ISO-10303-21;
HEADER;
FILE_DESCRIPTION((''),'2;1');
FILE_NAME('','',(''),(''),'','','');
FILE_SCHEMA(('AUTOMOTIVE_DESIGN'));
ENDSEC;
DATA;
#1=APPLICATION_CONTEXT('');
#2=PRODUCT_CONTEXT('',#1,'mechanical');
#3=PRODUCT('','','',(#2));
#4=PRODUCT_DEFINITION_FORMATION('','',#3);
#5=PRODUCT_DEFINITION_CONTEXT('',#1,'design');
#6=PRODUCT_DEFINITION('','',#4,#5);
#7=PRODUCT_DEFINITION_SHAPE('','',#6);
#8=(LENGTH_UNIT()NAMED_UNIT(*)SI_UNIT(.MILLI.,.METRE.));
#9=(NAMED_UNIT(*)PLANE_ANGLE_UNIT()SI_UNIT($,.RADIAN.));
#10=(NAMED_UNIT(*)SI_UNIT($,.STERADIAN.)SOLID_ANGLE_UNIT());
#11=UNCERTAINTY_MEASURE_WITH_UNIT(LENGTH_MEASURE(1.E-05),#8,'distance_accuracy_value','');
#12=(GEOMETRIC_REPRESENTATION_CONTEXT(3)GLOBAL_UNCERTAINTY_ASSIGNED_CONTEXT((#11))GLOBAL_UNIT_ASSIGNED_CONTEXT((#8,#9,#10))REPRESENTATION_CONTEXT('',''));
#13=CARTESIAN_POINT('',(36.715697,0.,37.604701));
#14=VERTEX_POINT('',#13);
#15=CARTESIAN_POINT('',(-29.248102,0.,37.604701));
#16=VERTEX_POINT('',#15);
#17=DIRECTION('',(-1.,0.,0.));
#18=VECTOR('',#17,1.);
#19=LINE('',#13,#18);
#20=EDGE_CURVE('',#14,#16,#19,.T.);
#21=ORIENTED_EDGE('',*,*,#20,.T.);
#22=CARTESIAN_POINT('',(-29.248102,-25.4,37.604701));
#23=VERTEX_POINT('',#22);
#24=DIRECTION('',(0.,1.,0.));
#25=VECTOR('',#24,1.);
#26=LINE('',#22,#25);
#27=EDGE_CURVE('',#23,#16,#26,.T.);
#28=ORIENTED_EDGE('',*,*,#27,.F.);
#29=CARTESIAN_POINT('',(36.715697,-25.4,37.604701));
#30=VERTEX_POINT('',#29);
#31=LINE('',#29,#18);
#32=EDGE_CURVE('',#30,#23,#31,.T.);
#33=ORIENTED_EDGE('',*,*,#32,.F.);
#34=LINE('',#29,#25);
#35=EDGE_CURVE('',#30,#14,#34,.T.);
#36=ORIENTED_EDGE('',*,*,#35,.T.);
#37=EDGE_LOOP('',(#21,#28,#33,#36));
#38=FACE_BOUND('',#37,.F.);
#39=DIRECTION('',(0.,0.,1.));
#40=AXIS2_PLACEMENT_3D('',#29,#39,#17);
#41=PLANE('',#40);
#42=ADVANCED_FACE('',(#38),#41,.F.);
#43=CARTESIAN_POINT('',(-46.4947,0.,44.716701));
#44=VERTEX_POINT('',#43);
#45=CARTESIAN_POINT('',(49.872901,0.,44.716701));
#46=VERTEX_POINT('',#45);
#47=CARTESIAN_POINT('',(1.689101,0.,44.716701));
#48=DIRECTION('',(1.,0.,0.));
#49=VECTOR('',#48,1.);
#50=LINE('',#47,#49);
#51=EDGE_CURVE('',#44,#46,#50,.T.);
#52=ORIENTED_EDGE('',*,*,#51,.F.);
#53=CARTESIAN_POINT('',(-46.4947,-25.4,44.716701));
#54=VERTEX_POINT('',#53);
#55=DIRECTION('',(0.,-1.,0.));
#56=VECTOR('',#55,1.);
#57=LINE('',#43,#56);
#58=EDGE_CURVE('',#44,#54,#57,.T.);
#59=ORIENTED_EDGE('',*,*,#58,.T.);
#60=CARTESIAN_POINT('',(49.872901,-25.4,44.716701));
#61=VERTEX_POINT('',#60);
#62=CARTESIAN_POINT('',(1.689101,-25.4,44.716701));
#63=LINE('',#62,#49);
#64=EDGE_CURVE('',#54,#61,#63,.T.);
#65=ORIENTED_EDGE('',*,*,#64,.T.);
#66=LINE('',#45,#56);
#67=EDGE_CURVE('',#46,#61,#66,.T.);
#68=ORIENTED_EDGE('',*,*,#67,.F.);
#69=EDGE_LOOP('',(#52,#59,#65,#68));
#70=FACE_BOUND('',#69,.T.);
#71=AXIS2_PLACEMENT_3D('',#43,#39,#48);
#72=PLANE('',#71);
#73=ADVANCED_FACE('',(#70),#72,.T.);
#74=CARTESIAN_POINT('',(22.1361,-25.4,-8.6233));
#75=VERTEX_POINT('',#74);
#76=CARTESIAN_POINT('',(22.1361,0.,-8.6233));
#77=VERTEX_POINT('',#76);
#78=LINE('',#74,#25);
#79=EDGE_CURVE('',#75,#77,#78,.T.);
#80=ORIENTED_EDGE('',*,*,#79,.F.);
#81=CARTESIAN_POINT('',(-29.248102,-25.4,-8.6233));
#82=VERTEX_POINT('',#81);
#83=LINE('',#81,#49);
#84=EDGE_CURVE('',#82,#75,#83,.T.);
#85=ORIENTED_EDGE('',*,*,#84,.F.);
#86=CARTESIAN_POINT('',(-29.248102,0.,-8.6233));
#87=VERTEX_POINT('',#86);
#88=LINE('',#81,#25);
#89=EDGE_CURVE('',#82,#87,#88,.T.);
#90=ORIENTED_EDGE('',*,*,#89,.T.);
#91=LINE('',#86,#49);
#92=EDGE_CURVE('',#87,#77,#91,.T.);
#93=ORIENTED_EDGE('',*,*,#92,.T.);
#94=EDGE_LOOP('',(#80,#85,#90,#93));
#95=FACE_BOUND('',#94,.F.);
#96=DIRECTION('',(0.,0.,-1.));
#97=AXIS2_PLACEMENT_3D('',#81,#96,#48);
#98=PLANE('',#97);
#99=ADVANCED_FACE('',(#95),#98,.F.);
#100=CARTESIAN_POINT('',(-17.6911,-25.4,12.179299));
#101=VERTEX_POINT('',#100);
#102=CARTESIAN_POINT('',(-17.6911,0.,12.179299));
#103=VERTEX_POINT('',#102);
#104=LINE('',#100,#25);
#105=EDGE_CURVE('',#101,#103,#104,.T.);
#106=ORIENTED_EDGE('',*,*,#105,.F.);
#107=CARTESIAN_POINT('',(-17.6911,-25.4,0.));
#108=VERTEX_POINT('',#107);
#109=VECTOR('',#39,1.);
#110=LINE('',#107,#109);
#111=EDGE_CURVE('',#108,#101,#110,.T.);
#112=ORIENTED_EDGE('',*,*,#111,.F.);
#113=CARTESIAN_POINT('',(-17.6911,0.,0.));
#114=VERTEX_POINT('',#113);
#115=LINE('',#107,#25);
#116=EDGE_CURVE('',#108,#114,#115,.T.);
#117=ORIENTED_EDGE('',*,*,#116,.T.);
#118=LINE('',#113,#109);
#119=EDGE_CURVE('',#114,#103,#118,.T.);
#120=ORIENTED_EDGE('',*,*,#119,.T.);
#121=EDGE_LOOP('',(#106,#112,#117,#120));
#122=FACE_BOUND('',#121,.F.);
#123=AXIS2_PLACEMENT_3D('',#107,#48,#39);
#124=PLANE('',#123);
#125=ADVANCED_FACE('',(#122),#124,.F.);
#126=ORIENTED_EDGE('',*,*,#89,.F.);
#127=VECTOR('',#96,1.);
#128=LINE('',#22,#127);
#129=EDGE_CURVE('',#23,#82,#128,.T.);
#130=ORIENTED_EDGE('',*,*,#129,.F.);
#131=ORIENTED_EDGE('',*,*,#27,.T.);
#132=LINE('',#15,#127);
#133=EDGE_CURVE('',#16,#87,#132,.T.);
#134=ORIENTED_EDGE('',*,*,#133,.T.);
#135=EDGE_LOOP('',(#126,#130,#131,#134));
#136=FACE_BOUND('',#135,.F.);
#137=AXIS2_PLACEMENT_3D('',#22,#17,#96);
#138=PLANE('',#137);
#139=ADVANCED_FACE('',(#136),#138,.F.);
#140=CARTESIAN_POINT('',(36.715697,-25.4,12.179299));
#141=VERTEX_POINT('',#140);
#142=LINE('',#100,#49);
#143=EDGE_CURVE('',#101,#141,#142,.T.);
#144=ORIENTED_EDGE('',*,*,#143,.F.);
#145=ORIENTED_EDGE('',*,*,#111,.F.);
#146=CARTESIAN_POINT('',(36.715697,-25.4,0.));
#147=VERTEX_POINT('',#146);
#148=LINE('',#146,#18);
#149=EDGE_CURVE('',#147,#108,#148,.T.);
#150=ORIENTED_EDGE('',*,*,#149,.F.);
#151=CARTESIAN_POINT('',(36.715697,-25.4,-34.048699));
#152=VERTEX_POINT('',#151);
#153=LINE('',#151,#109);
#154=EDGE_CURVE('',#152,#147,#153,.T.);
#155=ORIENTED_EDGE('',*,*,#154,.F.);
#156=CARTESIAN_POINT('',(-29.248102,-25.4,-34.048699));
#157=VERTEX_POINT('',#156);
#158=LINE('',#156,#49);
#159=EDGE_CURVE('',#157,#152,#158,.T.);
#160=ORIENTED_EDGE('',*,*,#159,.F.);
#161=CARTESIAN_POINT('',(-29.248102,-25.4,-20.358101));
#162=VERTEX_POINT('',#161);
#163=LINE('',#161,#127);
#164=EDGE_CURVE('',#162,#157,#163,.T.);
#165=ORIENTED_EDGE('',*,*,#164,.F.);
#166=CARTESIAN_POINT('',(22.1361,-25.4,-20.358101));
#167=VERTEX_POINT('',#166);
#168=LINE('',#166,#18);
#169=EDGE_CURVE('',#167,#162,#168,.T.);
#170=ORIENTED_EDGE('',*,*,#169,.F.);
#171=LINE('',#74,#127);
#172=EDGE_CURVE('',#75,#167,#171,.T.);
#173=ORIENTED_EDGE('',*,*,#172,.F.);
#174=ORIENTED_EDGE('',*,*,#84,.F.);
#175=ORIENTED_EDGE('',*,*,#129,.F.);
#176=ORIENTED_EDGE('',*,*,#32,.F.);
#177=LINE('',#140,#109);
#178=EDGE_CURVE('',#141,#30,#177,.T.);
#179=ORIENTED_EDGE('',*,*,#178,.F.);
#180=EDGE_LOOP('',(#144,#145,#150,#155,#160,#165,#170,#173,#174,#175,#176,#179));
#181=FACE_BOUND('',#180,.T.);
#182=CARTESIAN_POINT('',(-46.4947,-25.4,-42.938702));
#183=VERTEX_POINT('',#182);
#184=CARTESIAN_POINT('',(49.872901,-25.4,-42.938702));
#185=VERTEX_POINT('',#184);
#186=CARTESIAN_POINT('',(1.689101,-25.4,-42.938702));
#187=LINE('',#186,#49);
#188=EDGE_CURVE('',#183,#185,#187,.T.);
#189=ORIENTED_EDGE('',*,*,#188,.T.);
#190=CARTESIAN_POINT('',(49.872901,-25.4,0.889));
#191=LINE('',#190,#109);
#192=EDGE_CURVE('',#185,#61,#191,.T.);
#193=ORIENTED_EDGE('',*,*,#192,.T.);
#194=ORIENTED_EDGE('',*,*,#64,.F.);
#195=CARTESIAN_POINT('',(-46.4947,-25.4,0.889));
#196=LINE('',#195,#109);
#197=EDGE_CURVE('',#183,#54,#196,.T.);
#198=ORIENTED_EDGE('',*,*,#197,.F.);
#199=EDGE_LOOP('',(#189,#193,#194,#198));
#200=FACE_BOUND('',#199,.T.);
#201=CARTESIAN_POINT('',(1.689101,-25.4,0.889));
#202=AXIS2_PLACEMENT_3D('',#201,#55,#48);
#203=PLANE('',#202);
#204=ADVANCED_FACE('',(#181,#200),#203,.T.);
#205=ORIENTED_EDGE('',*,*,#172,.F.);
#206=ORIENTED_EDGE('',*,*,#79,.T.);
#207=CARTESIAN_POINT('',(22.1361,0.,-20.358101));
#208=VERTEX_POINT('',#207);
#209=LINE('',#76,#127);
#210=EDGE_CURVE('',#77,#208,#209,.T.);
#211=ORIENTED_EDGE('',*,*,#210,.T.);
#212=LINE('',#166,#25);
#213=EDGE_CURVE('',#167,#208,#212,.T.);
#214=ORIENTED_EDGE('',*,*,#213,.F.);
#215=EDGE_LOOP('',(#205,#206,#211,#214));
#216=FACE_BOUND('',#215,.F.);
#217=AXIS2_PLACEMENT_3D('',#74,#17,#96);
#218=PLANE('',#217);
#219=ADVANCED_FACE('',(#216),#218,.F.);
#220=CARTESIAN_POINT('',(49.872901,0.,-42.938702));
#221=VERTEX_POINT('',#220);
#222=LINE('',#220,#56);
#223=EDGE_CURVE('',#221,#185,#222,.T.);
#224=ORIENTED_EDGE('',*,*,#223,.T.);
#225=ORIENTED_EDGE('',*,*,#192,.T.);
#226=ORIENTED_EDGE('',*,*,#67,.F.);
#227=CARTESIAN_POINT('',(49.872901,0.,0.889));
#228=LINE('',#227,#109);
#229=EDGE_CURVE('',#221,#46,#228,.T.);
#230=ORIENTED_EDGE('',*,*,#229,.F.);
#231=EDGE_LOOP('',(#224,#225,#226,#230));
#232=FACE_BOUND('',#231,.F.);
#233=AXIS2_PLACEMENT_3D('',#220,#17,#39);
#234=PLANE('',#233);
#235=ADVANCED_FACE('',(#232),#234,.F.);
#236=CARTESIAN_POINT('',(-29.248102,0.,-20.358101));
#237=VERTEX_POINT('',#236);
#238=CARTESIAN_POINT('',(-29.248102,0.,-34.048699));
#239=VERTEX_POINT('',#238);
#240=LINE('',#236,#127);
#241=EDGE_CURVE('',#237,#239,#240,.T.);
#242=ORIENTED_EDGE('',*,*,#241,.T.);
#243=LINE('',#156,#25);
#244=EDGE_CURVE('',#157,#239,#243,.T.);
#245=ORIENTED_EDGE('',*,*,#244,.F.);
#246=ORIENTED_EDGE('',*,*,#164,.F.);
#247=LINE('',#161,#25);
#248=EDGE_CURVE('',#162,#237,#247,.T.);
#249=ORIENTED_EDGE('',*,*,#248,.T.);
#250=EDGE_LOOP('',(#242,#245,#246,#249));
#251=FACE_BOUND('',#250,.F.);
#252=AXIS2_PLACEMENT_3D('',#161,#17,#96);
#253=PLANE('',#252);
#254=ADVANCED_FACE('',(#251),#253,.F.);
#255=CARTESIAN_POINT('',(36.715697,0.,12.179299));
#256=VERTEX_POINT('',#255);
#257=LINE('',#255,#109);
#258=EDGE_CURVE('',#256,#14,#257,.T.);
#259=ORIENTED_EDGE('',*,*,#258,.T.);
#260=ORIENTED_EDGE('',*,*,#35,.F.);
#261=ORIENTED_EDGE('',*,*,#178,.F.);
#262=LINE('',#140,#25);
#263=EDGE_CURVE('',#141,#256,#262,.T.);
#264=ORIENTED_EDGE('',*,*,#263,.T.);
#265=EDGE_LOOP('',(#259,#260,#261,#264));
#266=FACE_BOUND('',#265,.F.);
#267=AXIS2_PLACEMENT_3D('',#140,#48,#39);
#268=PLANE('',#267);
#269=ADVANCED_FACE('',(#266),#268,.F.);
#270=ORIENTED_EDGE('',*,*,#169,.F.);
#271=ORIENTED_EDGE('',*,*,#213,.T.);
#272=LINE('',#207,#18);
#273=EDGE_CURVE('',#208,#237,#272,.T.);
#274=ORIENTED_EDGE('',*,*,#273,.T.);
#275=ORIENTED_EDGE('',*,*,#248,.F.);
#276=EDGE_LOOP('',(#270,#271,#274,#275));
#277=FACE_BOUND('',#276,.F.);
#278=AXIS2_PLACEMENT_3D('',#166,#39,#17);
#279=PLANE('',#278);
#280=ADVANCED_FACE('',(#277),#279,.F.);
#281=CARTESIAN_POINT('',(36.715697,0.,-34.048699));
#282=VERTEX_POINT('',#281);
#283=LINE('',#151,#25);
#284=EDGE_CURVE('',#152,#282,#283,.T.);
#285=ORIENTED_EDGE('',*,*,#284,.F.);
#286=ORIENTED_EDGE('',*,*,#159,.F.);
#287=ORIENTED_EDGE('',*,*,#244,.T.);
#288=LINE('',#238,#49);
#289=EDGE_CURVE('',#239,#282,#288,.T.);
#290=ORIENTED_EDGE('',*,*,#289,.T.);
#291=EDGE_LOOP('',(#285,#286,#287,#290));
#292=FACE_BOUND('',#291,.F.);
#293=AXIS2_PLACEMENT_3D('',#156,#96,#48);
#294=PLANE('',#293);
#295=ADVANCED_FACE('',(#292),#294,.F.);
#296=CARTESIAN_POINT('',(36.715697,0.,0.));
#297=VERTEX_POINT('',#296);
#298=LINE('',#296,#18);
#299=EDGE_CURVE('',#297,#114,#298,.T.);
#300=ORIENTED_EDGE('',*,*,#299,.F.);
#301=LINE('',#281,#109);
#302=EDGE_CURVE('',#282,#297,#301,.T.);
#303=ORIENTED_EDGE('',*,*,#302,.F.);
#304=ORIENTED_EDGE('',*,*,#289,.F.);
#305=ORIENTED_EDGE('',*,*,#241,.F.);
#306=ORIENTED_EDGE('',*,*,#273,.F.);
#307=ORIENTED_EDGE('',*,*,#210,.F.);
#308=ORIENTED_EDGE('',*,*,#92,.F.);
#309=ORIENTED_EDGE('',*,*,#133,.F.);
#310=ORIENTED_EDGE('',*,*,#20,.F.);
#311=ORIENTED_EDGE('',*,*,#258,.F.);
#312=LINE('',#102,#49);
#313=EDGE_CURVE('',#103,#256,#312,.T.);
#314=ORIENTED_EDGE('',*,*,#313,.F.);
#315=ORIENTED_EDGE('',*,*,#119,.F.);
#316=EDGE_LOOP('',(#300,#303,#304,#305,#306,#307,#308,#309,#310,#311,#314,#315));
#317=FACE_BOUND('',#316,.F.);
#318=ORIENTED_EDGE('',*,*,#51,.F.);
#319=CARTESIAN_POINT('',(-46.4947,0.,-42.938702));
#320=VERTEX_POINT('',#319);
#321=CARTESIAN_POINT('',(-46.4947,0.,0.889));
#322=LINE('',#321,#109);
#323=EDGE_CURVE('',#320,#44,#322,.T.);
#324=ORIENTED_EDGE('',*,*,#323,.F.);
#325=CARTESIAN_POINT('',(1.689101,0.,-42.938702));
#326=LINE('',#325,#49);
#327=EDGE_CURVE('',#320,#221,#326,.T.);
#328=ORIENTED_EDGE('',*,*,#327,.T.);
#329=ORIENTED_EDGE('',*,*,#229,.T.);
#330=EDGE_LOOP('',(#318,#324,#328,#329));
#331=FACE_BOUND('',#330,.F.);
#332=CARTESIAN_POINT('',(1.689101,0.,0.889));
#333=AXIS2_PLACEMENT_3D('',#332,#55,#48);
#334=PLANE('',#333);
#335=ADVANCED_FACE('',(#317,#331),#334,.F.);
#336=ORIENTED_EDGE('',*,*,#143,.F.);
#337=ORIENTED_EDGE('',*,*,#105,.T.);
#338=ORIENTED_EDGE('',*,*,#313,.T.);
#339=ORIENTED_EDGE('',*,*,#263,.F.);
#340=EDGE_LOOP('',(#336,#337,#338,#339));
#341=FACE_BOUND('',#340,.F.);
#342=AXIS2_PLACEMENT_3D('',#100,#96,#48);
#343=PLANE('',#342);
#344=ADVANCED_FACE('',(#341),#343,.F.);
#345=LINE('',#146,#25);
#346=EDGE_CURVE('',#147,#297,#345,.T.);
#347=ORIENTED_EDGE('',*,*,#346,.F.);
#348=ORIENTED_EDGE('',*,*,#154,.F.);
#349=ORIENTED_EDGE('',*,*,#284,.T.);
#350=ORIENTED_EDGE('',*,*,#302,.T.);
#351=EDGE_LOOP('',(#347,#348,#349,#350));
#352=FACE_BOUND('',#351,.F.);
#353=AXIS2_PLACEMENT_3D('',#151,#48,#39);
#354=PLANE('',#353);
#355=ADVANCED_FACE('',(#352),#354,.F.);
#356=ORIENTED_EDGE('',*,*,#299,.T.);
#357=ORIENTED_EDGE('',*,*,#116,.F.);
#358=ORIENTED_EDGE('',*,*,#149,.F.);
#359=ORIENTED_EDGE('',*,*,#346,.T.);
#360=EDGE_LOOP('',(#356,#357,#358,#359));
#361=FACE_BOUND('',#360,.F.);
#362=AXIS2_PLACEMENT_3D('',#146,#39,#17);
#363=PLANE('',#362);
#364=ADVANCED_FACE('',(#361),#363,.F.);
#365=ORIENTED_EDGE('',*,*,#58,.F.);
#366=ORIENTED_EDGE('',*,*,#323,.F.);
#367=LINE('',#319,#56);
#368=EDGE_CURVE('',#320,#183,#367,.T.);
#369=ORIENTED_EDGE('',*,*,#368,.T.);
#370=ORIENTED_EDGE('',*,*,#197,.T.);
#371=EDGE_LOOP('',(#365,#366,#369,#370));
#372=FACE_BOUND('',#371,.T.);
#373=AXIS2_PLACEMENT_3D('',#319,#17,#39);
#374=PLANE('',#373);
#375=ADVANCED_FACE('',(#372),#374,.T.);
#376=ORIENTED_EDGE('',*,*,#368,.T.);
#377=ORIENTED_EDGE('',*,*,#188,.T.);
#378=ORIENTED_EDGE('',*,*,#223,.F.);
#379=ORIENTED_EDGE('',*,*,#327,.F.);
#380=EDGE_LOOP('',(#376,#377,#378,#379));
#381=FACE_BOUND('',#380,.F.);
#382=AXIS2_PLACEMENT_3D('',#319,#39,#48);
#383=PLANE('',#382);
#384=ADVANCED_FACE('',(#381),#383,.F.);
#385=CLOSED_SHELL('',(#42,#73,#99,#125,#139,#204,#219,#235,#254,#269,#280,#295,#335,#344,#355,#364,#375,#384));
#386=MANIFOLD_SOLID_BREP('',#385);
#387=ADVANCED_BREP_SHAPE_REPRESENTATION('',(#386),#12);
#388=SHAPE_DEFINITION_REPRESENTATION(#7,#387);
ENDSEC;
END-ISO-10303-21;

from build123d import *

# Parameters (mm, degrees)
F0_W     = 96.367601
F0_H     = 87.655403
F1_DEPTH = 25.4
F4_DEPTH = 25.4


with BuildPart() as f1:
    # F0 (on Front) → F1 (new body)
    with BuildSketch(Plane.XZ):
        with Locations((1.689101, 0.889)):
            Rectangle(F0_W, F0_H)
    extrude(amount=F1_DEPTH)

    # F3 (on face) + F2 (on face) → F4 (cut)
    with BuildSketch(Plane.XZ.offset(25.4)):
        Polygon((36.715697, 12.179299), (36.715697, 37.604701), (-29.248102, 37.604701), (-29.248102, -8.6233), (22.1361, -8.6233), (22.1361, -20.358101), (-29.248102, -20.358101), (-29.248102, -34.048699), (36.715697, -34.048699), (36.715697, 0), (-17.6911, 0), (-17.6911, 12.179299), align=None)
    with BuildSketch(Plane.XZ.offset(25.4)):
        Polygon((36.715697, 37.604701), (-29.248102, 37.604701), (-29.248102, -8.6233), (22.1361, -8.6233), (22.1361, -20.358101), (-29.248102, -20.358101), (-29.248102, -34.048699), (36.715697, -34.048699), (36.715697, 0), (-17.6911, 0), (-17.6911, 12.179299), (36.715697, 12.179299), align=None)
    extrude(amount=-F4_DEPTH, mode=Mode.SUBTRACT)


solid = f1.part
